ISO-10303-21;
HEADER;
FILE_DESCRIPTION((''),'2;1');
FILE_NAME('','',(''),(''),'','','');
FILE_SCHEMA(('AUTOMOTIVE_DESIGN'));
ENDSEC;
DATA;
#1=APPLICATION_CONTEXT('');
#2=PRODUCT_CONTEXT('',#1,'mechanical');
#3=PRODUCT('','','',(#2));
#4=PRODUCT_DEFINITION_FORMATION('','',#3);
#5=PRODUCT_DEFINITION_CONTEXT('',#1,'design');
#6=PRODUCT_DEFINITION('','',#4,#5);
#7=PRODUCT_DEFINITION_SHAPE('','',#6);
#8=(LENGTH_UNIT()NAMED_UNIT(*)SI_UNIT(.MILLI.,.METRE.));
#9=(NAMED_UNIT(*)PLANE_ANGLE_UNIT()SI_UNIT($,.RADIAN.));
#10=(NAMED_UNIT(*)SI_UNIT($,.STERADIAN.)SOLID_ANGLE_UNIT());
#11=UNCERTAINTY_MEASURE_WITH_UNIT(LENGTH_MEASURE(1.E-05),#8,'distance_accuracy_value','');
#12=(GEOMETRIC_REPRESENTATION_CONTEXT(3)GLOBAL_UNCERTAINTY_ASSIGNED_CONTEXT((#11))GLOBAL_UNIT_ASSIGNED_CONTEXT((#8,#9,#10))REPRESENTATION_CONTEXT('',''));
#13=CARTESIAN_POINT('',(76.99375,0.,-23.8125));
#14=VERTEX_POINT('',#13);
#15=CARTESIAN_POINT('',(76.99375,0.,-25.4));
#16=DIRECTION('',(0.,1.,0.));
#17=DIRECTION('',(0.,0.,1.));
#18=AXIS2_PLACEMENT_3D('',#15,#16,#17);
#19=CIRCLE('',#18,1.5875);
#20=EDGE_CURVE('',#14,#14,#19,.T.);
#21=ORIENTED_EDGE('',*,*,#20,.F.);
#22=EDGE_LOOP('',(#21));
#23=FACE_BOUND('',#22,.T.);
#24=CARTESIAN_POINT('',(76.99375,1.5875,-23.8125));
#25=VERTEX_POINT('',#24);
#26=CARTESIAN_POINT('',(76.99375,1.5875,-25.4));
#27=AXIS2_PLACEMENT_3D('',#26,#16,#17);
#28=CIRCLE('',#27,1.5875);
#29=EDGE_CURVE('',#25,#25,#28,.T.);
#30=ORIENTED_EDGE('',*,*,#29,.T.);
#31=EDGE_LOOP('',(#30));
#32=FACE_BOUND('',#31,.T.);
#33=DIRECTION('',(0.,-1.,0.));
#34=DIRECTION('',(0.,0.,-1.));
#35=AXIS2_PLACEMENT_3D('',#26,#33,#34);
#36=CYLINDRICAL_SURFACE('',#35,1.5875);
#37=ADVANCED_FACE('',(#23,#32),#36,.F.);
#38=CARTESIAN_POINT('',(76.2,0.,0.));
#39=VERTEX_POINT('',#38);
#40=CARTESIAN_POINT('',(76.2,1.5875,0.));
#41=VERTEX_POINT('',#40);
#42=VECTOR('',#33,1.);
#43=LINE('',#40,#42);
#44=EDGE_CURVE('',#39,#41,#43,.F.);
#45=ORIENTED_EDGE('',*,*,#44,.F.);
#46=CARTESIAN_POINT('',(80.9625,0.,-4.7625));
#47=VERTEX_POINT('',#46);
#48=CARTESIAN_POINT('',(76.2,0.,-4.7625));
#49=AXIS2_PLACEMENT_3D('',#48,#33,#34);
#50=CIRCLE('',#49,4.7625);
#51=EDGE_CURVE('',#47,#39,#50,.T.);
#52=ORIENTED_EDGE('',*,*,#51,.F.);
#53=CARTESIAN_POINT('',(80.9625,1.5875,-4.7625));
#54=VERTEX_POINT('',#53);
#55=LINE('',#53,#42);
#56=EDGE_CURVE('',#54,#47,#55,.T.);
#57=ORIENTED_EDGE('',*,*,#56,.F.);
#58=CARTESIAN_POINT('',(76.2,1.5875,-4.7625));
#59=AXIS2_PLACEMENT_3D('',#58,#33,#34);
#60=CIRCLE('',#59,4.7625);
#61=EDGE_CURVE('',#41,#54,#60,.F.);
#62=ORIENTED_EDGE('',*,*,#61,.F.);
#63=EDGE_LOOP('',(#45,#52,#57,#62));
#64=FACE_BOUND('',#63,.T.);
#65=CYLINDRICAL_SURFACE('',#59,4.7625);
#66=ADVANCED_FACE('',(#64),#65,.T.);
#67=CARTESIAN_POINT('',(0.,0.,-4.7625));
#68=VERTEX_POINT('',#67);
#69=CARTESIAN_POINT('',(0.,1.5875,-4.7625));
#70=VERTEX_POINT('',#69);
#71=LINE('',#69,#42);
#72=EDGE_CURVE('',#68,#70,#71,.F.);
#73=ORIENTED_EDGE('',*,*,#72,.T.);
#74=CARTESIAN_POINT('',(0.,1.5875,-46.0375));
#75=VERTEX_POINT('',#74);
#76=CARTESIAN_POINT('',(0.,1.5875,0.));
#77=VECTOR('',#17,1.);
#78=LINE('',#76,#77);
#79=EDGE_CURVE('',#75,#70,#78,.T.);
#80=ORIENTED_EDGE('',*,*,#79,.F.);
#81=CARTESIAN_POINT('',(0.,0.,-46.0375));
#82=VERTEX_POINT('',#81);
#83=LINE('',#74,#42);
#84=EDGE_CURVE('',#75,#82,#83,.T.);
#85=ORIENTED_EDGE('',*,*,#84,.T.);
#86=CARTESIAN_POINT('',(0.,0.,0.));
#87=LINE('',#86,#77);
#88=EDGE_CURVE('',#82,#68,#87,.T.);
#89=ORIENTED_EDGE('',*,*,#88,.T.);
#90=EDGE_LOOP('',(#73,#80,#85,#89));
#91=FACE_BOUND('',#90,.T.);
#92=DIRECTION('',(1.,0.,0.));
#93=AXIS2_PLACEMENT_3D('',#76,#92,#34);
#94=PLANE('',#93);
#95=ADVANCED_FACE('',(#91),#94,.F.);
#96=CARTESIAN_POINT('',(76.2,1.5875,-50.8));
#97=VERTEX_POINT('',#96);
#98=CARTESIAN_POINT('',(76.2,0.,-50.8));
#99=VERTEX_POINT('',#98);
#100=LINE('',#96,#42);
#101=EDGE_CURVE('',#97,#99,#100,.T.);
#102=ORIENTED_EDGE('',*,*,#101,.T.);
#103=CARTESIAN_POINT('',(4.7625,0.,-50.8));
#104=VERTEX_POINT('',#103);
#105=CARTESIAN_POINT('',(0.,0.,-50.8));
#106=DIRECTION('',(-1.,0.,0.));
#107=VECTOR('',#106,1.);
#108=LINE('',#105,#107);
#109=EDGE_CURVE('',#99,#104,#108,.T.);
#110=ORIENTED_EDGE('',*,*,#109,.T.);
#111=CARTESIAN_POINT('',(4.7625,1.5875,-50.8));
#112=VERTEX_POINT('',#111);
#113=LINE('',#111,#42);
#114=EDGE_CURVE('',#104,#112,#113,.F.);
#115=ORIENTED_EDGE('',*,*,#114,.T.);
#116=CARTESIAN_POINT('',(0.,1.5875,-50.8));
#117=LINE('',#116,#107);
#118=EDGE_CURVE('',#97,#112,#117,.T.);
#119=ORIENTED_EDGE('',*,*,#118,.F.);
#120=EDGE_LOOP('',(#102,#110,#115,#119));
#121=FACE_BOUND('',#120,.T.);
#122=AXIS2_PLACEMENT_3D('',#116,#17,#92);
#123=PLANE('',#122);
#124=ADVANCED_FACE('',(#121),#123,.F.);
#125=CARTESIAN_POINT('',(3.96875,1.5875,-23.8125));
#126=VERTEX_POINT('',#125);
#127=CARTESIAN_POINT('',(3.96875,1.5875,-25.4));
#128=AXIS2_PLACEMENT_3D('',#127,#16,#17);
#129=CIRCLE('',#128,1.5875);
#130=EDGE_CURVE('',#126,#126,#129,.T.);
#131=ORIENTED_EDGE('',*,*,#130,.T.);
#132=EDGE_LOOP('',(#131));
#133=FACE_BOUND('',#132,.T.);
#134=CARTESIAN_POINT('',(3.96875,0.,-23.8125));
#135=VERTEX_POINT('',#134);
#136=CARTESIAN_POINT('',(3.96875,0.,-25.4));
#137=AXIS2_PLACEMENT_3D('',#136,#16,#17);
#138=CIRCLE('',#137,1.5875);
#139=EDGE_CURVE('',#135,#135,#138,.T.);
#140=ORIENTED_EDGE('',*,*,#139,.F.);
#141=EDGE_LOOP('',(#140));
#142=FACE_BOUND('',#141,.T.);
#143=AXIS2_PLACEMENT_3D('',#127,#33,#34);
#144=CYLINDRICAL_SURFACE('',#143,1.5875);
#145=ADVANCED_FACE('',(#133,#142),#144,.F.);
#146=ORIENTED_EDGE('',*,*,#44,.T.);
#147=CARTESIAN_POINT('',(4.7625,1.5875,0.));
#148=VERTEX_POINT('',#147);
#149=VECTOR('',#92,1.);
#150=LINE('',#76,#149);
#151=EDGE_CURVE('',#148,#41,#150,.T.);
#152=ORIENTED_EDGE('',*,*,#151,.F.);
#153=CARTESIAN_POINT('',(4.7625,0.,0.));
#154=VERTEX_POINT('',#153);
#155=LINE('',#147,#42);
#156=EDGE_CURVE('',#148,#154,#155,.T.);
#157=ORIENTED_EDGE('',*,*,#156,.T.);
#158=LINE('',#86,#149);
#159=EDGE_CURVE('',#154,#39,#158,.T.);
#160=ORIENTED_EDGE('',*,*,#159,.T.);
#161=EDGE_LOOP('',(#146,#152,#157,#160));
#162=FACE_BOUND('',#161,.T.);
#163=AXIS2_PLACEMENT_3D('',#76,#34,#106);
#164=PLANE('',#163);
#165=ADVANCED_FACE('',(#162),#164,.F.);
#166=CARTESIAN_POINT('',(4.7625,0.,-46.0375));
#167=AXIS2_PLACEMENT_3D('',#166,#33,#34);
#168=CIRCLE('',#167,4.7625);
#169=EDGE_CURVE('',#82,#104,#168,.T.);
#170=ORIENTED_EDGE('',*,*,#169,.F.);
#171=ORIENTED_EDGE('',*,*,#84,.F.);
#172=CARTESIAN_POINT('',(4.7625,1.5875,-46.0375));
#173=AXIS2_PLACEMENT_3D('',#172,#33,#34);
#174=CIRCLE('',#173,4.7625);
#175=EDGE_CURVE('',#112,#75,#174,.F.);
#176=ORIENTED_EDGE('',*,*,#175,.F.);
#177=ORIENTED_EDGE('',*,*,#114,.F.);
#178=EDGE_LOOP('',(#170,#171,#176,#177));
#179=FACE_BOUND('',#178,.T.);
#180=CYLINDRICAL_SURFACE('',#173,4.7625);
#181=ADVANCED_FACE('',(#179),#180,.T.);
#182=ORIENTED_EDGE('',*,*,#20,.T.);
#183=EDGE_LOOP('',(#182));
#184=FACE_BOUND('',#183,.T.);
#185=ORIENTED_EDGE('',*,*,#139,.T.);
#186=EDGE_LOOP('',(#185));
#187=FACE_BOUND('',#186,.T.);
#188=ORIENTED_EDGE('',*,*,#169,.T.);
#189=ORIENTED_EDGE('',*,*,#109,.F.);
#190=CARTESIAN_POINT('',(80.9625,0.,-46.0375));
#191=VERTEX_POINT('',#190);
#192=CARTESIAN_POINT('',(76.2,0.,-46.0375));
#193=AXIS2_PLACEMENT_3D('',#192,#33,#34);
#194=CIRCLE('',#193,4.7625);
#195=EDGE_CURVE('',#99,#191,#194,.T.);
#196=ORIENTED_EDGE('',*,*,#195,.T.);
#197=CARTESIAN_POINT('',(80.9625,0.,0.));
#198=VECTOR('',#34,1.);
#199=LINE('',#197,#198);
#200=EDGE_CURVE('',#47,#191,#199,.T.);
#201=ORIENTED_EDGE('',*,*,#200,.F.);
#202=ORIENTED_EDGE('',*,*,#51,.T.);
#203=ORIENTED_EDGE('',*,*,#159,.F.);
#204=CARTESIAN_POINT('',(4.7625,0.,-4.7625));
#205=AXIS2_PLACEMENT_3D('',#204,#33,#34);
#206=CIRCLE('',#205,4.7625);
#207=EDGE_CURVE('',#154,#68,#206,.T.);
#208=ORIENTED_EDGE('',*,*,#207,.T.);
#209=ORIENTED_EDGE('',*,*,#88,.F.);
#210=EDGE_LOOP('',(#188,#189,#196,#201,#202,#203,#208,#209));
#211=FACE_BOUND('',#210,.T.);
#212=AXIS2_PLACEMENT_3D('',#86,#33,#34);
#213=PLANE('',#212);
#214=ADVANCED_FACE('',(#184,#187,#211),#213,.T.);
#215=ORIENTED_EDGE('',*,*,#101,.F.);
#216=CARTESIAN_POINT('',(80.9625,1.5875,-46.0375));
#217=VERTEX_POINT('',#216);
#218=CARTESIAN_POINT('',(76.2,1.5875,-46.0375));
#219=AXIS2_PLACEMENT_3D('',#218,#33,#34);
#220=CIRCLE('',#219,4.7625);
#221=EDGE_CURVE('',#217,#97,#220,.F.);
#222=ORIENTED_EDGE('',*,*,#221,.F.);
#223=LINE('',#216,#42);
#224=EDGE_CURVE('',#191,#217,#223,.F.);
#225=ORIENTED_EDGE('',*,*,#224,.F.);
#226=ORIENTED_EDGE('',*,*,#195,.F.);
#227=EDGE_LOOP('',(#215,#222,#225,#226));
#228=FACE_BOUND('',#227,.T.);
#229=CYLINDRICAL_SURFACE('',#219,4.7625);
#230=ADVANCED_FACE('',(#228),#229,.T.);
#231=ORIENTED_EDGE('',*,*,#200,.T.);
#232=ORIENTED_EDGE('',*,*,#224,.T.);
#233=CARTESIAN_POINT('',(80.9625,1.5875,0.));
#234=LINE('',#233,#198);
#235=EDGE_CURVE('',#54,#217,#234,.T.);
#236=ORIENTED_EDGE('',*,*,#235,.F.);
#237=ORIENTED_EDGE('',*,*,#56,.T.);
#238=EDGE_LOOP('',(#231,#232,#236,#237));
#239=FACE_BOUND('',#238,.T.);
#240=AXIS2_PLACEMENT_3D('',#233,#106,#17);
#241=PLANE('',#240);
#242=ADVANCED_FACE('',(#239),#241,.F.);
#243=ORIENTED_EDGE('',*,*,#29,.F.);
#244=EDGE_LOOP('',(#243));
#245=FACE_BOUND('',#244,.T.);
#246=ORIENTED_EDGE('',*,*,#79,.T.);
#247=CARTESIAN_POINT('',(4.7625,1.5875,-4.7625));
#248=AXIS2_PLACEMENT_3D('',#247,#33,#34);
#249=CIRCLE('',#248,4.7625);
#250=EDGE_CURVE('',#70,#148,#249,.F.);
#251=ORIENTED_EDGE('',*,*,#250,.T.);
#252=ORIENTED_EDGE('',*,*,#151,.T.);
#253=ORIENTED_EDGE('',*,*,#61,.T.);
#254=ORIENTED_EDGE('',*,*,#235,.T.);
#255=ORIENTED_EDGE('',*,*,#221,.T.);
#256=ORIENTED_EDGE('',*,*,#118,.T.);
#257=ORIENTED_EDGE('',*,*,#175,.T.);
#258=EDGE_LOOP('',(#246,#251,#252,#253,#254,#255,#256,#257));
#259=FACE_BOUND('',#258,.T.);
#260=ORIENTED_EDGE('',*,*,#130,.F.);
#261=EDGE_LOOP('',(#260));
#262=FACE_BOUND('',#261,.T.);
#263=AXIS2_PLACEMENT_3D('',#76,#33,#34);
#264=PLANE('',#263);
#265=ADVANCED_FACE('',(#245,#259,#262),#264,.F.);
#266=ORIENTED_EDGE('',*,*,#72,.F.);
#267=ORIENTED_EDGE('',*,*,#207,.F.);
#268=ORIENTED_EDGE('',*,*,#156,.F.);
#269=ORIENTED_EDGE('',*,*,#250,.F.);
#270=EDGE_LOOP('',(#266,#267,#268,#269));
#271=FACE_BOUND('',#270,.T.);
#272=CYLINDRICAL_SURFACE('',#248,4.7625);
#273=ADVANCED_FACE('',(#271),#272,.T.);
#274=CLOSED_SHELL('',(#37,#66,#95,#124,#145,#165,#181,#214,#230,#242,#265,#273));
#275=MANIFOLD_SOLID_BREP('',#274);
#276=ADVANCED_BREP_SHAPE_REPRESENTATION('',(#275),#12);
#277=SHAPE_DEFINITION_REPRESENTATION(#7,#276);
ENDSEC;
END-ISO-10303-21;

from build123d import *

# Parameters (mm, degrees)
SKETCH1_W           = 80.9625
SKETCH1_H           = 50.8
SKETCH1_R           = 1.5875
BOSS_EXTRUDE1_DEPTH = 1.5875
FILLET1_R           = 4.7625


with BuildPart() as part:
    # Sketch1 → Boss-Extrude1 (new body)
    with BuildSketch(Plane(origin=(0, 0, 0), x_dir=(1, 0, 0), z_dir=(0, 1, 0))):
        with Locations((40.48125, 25.4)):
            Rectangle(SKETCH1_W, SKETCH1_H)
        with Locations((3.96875, 25.4)):
            Circle(SKETCH1_R, mode=Mode.SUBTRACT)
        with Locations((76.99375, 25.4)):
            Circle(SKETCH1_R, mode=Mode.SUBTRACT)
    extrude(amount=BOSS_EXTRUDE1_DEPTH)

    # Fillet1
    fillet1_edges = [part.edges().sort_by_distance(p)[0] for p in [
        (0, 0.79375, -50.8),
        (80.9625, 0.79375, -50.8),
        (80.9625, 0.79375, 0),
        (0, 0.79375, 0),
    ]]
    fillet(fillet1_edges, radius=FILLET1_R)


solid = part.part
